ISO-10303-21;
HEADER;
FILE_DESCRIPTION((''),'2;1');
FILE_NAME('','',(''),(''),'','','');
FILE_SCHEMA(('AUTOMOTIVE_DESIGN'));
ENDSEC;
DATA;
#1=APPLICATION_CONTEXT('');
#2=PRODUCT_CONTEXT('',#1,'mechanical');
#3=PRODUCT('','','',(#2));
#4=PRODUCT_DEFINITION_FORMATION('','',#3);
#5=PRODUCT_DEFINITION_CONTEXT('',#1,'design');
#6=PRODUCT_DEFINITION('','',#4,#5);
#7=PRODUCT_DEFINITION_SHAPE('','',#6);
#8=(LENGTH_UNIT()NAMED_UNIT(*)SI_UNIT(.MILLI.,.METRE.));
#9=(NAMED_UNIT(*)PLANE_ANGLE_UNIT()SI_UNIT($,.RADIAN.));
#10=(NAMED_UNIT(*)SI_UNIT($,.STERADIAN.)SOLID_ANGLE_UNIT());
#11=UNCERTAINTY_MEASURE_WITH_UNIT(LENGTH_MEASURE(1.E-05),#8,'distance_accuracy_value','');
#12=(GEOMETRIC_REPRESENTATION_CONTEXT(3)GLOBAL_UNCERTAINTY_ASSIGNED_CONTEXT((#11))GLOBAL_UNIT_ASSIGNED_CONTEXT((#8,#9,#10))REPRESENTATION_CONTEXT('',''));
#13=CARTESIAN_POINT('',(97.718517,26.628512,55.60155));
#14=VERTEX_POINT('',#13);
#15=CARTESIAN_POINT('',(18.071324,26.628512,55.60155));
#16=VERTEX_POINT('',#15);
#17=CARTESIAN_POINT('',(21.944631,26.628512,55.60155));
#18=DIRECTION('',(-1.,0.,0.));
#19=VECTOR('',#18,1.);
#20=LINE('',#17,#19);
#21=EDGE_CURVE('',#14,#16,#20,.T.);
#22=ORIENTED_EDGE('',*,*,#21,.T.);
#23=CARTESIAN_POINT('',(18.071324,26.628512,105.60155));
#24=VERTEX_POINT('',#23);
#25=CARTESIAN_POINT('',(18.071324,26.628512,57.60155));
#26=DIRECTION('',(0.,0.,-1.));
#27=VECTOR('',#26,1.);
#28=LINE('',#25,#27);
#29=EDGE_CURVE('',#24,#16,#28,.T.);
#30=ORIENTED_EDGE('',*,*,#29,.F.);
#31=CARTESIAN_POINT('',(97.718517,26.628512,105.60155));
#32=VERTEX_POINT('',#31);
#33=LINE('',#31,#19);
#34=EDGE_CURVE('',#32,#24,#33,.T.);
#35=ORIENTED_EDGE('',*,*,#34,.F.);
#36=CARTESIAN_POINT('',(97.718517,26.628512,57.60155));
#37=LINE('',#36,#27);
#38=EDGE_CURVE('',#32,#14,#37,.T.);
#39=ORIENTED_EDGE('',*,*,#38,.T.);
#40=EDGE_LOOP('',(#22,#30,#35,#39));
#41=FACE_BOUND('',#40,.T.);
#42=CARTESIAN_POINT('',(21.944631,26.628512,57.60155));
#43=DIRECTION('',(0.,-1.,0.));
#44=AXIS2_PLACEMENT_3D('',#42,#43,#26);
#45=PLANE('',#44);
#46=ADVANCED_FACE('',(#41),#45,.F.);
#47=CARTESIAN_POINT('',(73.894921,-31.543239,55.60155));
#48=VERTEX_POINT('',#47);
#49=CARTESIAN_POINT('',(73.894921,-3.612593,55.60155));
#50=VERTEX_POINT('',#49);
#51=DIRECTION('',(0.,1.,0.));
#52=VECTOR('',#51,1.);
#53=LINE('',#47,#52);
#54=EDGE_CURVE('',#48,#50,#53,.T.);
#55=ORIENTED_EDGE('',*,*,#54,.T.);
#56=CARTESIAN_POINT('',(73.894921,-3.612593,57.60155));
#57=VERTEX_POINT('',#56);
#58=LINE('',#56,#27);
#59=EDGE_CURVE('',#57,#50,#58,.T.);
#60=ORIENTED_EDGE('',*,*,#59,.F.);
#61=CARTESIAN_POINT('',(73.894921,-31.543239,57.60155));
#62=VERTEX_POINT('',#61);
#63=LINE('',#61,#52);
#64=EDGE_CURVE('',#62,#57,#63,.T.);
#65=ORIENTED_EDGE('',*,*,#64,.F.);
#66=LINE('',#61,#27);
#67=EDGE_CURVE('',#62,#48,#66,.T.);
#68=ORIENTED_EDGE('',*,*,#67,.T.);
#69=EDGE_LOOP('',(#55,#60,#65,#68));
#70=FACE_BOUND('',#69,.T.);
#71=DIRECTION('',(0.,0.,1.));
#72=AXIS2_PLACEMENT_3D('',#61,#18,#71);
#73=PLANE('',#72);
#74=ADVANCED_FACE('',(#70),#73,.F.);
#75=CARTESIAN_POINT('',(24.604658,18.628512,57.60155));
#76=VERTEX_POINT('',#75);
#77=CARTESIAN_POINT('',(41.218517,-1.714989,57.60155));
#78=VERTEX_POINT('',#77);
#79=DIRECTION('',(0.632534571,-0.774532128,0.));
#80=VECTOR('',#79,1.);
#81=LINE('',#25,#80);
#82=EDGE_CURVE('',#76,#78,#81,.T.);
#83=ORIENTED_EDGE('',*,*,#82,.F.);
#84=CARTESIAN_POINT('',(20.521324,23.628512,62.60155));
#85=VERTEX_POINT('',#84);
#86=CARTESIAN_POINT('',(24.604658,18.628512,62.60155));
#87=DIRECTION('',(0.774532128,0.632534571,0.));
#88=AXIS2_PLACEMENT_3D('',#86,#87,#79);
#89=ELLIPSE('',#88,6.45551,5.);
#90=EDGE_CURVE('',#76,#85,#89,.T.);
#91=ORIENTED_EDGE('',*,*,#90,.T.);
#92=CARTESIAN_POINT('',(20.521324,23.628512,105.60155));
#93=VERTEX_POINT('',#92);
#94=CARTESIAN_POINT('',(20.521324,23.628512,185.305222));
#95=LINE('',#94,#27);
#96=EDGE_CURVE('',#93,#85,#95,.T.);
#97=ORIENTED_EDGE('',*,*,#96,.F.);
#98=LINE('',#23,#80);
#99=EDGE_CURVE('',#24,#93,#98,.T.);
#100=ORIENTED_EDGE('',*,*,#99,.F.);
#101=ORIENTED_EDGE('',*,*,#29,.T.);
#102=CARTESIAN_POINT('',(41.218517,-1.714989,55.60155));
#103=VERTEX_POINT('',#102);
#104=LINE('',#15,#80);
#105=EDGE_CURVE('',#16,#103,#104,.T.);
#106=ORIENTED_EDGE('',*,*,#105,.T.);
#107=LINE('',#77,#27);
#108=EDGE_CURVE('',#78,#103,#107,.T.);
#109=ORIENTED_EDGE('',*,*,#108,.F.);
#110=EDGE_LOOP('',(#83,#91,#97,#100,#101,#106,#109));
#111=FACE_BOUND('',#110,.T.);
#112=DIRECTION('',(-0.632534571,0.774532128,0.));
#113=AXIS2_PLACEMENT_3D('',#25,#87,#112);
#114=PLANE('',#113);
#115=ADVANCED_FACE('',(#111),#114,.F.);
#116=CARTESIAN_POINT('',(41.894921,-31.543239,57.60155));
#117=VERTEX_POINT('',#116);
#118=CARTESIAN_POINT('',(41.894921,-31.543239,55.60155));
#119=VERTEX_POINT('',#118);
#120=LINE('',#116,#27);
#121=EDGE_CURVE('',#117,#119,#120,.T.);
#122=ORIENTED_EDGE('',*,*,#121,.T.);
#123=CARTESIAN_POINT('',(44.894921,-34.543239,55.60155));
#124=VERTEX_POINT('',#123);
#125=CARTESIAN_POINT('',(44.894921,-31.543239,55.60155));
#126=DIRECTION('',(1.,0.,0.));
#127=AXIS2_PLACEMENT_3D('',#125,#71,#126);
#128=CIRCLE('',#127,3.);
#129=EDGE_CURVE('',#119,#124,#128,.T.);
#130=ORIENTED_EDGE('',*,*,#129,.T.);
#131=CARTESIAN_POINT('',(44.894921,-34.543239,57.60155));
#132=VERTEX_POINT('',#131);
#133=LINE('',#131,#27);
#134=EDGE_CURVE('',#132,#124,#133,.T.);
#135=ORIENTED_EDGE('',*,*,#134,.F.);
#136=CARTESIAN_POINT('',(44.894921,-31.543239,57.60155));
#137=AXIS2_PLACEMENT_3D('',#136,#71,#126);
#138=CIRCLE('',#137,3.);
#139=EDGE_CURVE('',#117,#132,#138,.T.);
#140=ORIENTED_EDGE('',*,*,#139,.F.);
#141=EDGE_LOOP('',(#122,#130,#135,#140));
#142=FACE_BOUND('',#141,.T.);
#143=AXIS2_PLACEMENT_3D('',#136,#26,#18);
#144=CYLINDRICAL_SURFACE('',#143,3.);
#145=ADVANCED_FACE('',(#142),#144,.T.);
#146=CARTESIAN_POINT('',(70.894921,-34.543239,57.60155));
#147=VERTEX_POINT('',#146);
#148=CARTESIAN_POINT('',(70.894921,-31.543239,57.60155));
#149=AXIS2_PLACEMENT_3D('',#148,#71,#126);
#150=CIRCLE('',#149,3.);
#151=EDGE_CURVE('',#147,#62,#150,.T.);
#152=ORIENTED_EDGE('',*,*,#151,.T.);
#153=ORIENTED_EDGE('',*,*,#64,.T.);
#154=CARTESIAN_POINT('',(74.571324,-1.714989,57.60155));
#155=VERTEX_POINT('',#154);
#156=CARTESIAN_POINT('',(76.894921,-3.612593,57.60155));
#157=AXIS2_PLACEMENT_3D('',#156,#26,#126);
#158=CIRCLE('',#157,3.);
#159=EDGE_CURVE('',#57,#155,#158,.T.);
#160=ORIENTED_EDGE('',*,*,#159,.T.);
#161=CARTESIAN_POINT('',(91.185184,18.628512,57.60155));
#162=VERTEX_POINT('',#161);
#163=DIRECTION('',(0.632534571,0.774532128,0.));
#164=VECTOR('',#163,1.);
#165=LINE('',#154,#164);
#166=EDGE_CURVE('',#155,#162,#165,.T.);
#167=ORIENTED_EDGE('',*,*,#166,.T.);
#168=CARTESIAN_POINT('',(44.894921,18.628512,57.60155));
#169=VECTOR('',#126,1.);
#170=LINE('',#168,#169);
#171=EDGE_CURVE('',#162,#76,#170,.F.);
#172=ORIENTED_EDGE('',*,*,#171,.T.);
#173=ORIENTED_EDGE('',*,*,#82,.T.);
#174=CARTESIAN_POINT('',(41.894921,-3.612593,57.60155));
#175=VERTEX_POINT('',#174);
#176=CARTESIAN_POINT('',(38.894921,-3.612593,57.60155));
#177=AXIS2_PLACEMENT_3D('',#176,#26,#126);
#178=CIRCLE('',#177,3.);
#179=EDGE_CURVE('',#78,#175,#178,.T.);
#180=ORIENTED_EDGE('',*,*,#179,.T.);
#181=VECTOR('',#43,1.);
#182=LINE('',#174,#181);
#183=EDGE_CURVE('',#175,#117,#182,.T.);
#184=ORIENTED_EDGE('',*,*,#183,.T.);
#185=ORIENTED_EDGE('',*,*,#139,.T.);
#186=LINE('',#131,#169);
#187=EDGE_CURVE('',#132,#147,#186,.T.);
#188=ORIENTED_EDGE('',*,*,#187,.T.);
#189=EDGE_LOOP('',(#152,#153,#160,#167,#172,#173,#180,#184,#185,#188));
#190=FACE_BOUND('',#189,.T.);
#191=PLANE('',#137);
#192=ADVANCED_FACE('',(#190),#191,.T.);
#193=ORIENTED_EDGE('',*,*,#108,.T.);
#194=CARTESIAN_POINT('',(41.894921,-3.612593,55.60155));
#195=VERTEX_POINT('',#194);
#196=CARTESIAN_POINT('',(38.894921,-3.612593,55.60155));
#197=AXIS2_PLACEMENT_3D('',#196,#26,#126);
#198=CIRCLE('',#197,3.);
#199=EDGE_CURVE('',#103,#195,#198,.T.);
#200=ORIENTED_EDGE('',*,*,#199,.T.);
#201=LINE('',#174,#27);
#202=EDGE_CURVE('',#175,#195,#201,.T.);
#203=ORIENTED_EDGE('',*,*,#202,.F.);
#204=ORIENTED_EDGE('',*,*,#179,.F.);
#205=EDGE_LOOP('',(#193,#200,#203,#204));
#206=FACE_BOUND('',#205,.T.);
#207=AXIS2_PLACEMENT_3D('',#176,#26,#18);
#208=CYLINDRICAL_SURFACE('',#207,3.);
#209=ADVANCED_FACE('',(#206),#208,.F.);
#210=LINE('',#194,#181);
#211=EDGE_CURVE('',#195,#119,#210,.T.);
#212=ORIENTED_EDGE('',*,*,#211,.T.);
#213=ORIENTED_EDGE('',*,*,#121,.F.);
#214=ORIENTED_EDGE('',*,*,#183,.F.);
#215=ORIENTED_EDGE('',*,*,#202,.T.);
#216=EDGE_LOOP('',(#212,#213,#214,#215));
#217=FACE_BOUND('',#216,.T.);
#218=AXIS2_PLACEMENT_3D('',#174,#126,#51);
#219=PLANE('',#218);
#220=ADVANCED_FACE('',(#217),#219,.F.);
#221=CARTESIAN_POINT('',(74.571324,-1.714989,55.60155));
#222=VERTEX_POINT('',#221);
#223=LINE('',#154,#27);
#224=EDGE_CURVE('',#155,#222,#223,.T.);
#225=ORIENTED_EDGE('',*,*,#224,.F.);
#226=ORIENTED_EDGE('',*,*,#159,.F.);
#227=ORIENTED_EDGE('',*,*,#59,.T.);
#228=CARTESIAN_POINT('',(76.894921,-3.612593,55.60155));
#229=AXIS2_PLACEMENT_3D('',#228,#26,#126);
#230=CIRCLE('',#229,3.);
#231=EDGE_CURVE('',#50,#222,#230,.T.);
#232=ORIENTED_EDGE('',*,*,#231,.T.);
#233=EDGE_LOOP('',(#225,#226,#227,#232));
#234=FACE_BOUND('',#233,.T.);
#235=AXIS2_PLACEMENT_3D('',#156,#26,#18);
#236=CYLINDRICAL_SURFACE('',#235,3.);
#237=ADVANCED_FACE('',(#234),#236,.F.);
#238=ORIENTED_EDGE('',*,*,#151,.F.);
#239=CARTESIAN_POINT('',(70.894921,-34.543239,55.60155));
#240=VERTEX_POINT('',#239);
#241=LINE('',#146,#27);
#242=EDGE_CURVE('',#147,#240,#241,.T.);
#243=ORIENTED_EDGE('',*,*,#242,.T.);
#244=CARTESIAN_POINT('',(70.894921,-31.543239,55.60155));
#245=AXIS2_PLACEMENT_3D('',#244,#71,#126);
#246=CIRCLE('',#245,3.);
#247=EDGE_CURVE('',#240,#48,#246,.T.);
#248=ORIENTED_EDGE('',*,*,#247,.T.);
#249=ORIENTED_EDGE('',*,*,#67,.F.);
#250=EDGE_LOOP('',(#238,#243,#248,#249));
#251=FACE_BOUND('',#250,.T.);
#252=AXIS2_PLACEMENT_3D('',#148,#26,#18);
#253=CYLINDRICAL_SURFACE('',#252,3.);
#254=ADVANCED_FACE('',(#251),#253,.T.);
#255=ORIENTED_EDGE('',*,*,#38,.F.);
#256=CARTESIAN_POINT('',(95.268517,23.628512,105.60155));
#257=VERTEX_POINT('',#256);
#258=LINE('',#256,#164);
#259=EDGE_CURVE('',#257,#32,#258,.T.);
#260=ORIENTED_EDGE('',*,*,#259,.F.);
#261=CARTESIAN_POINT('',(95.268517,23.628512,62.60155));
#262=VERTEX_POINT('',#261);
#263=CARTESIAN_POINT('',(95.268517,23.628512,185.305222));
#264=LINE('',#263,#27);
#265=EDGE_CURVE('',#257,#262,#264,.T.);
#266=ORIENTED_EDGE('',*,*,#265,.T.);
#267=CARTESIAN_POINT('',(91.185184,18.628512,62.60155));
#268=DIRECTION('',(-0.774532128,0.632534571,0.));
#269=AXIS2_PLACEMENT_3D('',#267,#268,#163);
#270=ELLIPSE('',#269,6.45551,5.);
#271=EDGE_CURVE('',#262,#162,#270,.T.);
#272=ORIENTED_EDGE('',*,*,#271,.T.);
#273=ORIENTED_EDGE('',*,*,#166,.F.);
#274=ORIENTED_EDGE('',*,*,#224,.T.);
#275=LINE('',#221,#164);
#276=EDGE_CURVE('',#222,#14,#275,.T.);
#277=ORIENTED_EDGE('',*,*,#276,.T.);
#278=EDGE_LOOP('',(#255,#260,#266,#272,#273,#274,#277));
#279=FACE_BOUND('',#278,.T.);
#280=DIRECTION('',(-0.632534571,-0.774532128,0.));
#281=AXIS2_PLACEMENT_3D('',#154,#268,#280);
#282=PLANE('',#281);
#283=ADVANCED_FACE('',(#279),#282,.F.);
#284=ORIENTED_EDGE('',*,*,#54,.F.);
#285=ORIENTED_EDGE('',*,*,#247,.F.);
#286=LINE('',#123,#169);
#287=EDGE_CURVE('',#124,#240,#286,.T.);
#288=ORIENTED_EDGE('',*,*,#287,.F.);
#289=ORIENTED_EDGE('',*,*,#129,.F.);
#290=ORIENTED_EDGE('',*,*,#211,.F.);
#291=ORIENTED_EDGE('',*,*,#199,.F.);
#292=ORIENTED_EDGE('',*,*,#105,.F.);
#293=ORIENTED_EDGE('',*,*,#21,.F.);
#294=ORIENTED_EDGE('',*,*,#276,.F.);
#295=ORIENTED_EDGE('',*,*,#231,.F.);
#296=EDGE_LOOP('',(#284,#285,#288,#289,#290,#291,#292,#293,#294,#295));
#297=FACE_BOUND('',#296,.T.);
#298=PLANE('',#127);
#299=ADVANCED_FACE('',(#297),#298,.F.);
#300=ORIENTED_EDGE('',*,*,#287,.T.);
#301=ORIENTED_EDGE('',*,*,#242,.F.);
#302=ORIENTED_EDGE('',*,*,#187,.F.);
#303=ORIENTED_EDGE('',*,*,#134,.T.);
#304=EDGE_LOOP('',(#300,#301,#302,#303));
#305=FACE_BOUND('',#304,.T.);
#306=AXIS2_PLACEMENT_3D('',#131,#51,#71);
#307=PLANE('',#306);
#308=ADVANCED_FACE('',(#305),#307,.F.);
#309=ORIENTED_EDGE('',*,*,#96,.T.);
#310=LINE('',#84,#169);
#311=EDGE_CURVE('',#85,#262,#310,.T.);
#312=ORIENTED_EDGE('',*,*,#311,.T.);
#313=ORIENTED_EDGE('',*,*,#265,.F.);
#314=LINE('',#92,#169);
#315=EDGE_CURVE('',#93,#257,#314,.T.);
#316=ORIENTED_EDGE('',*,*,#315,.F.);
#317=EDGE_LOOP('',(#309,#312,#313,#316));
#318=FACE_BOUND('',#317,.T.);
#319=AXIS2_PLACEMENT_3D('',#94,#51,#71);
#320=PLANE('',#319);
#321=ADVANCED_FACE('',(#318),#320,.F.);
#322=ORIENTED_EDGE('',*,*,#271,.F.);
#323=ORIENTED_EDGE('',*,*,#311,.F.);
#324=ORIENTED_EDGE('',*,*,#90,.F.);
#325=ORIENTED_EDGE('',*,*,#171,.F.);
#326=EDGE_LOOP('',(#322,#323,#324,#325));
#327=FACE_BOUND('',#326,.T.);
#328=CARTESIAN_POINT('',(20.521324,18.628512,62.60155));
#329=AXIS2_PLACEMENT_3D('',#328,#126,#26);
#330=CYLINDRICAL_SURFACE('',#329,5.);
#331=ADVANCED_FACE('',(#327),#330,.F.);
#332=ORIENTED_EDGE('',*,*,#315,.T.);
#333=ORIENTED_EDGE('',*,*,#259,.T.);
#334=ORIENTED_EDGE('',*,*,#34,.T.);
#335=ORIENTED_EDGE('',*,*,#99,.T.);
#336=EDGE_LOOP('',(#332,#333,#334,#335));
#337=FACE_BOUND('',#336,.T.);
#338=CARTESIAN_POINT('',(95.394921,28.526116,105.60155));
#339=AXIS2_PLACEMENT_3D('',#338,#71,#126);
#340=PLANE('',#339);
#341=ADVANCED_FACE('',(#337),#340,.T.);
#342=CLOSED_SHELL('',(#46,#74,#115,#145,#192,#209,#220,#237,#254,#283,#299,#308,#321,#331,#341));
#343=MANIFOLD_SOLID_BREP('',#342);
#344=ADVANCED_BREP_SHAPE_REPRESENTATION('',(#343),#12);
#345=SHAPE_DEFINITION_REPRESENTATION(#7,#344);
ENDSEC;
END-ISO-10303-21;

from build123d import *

# Parameters (mm, degrees)
SIDE_EXTRUDE_DEPTH         = 2
TOP_EXTRUDE_DEPTH          = 48
FILLET_BETWEEN_SIDES_5MM_R = 5


with BuildPart() as part:
    # Sketch1 → Side extrude (new body)
    with BuildSketch(Plane.XY.offset(55.601550083)):
        with BuildLine():
            Line((93.845211173, 26.628512047), (21.944630571, 26.628512047))
            Line((21.944630571, 26.628512047), (18.071324489, 26.628512047))
            Line((18.071324489, 26.628512047), (41.218517255, -1.714989299))
            ThreePointArc((41.218517255, -1.714989299), (41.720764918, -2.60531677), (41.894920872, -3.612593011))
            Line((41.894920872, -3.612593011), (41.894920872, -31.543238626))
            ThreePointArc((41.894920872, -31.543238626), (42.773600528, -33.66455897), (44.894920872, -34.543238626))
            Line((44.894920872, -34.543238626), (70.894920872, -34.543238626))
            ThreePointArc((70.894920872, -34.543238626), (73.016241216, -33.66455897), (73.894920872, -31.543238626))
            Line((73.894920872, -31.543238626), (73.894920872, -3.612593011))
            ThreePointArc((73.894920872, -3.612593011), (74.069076826, -2.60531677), (74.571324489, -1.714989299))
            Line((74.571324489, -1.714989299), (97.718517255, 26.628512047))
            Line((97.718517255, 26.628512047), (93.845211173, 26.628512047))
        make_face()
    extrude(amount=SIDE_EXTRUDE_DEPTH)

    # Sketch2 → Top extrude (add)
    with BuildSketch(Plane.XY.offset(57.601550083)):
        Polygon((97.718517255, 26.628512047), (18.071324489, 26.628512047), (20.521324489, 23.628512047), (95.268517255, 23.628512047), align=None)
    extrude(amount=TOP_EXTRUDE_DEPTH)

    # Fillet between sides 5mm
    fillet_between_sides_5mm_edges = [part.edges().sort_by_distance(p)[0] for p in [
        (57.894920872, 23.628512047, 57.601550083),
    ]]
    fillet(fillet_between_sides_5mm_edges, radius=FILLET_BETWEEN_SIDES_5MM_R)


solid = part.part
